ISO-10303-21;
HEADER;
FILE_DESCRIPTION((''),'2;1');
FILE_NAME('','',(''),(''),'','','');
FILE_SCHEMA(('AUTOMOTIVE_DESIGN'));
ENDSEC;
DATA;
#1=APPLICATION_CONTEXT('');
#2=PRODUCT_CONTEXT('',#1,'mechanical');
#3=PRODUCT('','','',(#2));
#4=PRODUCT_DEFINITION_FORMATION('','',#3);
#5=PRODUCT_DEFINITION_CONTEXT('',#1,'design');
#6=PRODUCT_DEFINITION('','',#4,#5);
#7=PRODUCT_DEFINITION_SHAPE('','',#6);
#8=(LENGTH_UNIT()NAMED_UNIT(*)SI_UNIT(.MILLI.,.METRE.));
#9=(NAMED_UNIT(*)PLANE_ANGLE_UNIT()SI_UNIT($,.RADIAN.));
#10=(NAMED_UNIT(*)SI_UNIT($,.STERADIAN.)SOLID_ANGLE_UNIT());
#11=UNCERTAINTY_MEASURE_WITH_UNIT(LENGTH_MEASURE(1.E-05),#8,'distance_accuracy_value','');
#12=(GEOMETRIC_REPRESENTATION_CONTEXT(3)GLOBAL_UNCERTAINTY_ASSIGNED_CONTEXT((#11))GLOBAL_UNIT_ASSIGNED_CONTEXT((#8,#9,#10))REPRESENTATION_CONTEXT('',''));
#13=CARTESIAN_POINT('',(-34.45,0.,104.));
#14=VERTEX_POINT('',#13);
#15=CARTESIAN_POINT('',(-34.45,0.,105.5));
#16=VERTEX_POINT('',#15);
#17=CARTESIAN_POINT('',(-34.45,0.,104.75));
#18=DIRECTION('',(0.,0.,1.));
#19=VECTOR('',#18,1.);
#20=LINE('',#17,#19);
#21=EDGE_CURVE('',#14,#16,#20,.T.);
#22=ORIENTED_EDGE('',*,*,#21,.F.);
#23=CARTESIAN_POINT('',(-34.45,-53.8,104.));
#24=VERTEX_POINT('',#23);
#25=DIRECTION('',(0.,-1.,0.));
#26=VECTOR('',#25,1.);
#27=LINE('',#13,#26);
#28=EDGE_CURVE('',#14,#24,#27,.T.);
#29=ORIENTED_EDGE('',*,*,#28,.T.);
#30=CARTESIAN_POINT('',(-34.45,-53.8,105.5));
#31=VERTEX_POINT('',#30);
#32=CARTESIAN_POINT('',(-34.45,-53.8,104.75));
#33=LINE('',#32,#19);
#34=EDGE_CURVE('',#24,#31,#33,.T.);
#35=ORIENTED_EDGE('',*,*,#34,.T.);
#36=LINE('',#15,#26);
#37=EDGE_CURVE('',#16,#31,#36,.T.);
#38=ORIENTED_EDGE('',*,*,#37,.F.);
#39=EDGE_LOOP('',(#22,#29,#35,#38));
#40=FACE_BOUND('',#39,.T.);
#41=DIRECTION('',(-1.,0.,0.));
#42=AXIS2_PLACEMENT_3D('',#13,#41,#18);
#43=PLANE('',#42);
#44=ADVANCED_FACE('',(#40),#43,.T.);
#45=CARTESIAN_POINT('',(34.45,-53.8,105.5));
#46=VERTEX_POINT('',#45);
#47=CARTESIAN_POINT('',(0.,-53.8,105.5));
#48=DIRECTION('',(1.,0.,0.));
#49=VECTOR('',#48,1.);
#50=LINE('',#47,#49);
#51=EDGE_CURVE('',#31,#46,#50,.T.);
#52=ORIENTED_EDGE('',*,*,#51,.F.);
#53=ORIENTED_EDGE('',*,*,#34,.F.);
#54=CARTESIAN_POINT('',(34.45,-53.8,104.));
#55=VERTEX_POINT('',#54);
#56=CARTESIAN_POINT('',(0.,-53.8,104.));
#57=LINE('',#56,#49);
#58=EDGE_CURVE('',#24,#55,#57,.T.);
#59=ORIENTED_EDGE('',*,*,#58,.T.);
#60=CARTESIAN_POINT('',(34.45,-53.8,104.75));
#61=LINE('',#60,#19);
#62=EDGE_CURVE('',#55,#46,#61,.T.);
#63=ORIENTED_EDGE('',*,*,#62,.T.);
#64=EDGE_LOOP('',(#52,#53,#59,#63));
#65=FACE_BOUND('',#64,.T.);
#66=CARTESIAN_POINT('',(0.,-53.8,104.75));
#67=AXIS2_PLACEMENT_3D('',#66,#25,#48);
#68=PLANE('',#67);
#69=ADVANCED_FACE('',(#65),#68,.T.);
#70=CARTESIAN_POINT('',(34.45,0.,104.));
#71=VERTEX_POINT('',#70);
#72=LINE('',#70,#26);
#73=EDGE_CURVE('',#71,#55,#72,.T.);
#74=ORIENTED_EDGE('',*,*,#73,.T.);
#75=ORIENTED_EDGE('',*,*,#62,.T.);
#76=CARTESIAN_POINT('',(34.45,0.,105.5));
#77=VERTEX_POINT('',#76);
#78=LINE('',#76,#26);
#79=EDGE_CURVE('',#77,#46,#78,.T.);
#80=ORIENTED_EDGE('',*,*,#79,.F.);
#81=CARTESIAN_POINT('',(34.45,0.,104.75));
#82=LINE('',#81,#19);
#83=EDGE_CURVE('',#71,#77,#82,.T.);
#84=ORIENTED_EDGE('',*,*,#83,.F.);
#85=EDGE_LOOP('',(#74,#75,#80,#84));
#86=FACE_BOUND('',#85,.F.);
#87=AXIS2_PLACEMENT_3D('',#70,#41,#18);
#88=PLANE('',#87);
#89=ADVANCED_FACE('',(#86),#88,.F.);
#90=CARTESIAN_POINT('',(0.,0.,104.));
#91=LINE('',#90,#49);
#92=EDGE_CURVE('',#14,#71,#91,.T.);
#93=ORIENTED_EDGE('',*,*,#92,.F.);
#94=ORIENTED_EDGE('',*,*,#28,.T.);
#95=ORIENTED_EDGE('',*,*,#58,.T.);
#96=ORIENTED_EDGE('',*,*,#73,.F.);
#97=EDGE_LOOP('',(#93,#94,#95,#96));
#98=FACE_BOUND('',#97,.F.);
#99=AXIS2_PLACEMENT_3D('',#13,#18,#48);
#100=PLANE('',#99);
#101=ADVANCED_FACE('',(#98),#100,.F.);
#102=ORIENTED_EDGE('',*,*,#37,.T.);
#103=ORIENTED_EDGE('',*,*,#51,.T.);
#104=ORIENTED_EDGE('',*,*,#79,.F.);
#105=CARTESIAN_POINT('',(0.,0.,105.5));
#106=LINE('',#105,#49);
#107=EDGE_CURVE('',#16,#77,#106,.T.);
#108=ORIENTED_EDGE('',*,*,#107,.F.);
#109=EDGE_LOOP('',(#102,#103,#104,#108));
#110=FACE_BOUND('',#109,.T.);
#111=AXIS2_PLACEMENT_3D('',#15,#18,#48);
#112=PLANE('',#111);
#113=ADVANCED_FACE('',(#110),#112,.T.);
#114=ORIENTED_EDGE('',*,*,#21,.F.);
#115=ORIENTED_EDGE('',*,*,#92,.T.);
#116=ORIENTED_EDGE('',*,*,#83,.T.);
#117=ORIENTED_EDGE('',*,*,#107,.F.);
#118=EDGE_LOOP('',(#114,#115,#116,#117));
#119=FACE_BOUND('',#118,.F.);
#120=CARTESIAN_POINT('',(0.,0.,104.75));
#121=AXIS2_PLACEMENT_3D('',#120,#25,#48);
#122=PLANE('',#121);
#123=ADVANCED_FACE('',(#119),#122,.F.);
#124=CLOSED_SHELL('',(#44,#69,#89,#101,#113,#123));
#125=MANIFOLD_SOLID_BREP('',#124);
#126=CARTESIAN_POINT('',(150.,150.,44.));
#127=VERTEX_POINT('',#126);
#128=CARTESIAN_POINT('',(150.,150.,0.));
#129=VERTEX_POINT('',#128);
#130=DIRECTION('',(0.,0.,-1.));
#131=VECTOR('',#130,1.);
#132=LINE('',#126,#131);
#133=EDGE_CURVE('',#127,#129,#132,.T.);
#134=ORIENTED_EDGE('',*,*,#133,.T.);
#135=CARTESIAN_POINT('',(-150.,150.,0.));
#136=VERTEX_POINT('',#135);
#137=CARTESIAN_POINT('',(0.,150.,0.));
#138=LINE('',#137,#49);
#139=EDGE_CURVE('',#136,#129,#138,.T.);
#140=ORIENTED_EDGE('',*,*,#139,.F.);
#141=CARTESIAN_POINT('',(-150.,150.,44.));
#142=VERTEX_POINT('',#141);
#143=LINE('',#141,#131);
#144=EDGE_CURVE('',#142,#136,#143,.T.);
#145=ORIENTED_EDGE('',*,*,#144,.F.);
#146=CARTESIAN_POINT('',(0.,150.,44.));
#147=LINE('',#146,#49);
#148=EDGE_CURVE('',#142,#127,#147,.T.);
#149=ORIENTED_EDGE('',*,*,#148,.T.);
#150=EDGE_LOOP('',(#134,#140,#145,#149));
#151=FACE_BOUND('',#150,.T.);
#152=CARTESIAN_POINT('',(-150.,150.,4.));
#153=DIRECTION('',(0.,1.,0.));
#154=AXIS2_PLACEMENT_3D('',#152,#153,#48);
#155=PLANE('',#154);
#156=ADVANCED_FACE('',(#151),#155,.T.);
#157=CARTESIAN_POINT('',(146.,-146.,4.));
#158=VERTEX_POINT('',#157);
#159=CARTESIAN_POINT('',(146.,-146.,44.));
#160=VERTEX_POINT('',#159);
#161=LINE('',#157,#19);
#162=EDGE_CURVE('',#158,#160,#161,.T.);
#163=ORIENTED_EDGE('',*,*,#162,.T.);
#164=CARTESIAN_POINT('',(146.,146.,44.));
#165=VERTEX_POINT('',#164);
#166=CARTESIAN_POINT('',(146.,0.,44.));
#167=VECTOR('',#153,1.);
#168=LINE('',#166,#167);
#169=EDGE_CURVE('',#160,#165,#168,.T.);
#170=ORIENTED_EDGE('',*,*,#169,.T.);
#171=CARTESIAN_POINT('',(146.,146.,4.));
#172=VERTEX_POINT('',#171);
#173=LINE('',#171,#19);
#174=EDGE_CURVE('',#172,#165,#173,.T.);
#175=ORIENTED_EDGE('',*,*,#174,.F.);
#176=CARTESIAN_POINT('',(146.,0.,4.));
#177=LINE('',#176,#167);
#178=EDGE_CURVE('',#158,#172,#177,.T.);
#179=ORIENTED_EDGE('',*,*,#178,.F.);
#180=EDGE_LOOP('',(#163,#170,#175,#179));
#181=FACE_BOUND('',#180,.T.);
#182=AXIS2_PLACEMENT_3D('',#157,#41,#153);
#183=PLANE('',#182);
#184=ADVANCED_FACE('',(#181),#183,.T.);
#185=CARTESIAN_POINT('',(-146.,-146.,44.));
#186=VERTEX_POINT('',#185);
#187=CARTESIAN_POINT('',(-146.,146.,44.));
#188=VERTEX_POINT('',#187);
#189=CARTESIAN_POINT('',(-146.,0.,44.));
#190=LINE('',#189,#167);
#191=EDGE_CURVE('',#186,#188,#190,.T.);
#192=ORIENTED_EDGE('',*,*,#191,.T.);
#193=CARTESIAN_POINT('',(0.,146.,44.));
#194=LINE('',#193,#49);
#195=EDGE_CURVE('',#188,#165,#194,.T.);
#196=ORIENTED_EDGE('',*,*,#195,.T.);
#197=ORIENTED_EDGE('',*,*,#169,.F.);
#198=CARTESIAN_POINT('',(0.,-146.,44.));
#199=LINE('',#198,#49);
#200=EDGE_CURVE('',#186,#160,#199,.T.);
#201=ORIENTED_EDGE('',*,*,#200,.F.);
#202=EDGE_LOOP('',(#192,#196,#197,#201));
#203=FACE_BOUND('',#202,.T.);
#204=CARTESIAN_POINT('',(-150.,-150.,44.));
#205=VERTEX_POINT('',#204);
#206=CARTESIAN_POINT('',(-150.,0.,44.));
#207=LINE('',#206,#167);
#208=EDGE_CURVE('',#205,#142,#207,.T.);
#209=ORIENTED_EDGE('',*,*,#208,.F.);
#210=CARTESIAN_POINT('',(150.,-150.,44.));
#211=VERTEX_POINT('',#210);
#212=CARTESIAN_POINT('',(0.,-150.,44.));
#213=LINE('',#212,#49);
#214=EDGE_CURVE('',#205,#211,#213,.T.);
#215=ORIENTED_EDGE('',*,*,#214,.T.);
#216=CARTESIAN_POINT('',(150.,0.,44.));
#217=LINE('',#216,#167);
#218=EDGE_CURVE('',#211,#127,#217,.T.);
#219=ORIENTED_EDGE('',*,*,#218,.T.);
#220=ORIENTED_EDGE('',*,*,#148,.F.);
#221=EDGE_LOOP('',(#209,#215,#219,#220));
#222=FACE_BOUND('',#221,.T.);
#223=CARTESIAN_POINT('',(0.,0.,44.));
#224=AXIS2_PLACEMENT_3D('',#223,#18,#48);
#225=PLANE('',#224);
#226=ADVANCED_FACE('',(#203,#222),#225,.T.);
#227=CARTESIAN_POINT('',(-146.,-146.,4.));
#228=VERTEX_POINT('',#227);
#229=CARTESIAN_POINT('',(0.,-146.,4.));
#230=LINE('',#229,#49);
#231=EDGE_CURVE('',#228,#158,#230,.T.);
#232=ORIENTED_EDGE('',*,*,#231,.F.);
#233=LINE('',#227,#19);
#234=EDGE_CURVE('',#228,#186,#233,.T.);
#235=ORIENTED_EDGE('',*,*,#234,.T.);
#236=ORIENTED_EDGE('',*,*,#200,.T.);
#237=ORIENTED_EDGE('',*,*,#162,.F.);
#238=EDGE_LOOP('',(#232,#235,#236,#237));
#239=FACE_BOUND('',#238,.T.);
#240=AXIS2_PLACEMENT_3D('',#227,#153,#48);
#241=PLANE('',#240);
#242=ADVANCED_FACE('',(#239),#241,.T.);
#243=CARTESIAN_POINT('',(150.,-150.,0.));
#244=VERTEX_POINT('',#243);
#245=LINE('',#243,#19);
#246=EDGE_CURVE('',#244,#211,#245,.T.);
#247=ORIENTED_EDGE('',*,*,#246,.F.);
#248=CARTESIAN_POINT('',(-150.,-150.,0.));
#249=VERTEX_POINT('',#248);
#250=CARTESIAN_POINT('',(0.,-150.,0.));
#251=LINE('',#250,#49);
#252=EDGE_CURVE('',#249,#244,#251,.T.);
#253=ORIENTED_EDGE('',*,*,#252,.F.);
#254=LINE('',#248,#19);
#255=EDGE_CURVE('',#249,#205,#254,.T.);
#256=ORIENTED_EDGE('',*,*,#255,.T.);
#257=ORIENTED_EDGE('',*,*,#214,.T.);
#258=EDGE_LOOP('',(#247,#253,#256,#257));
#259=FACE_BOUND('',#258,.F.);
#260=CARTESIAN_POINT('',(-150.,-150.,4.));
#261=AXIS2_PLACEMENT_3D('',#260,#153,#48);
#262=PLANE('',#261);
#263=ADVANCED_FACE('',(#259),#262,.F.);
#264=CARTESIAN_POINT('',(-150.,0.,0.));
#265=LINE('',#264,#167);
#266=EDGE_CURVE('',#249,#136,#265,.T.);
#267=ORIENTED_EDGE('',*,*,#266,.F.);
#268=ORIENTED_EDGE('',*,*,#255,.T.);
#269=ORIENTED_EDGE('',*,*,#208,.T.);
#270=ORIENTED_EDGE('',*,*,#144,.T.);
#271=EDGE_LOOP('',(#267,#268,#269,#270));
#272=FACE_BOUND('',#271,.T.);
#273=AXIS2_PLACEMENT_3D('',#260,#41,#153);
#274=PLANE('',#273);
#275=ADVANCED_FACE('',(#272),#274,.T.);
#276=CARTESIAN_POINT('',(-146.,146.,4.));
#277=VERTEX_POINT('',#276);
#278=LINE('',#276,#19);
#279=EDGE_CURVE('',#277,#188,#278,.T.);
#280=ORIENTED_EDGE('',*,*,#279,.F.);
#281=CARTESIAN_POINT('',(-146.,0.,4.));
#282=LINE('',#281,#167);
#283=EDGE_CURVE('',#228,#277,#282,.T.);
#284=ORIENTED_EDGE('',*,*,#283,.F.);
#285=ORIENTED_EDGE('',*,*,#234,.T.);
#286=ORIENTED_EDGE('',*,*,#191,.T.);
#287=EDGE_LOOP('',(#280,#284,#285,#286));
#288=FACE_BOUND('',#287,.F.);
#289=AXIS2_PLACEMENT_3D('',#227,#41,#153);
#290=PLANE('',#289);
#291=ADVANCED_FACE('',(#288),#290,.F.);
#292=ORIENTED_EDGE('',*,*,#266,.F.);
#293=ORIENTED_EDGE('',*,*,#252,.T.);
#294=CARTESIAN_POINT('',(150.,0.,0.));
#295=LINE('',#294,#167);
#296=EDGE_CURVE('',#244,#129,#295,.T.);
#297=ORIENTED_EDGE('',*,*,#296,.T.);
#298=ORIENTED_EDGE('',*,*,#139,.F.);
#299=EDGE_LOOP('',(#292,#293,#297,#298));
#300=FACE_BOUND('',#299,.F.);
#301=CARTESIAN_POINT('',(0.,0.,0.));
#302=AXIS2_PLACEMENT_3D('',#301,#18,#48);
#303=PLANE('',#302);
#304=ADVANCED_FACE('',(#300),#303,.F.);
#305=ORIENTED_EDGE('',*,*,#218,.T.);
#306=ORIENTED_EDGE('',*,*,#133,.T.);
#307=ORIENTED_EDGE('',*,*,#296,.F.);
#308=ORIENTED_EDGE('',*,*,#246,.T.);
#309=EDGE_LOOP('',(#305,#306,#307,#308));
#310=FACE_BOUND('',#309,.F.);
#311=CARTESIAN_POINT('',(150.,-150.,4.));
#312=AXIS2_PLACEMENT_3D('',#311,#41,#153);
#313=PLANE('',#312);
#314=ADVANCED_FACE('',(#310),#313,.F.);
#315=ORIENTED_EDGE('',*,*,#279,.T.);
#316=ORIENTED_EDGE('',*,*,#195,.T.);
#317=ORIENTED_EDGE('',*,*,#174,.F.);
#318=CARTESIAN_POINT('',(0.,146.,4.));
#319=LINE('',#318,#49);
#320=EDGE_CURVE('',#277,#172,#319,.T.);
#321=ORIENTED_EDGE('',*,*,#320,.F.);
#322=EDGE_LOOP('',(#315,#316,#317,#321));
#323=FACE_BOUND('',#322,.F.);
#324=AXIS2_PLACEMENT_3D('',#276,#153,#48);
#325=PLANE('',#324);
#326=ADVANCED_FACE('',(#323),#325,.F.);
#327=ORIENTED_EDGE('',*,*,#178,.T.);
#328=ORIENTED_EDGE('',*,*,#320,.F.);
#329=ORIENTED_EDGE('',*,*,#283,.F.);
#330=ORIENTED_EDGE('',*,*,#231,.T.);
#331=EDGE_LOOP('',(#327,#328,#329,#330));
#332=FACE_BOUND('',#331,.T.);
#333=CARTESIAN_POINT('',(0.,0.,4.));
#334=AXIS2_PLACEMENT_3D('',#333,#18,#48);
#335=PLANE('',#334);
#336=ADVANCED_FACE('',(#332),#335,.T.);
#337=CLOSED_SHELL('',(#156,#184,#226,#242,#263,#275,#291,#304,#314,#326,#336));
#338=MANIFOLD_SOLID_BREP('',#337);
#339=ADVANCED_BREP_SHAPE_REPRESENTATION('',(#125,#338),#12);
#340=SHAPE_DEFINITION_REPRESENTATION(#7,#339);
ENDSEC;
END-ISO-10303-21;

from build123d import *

# Parameters (mm, degrees)
F0_W     = 300
F0_H     = 300
F1_DEPTH = 4
F2_W     = 300
F2_H     = 300
F2_W_2   = 292
F2_H_2   = 292
F3_DEPTH = 40
F4_W     = 68.9
F4_H     = 1.5
F5_DEPTH = 53.8


with BuildPart() as f1:
    # F0 (on Top) → F1 (new body)
    with BuildSketch(Plane.XY):
        Rectangle(F0_W, F0_H)
    extrude(amount=F1_DEPTH)

    # F2 (on face) → F3 (join)
    with BuildSketch(Plane.XY.offset(4)):
        Rectangle(F2_W, F2_H)
        Rectangle(F2_W_2, F2_H_2, mode=Mode.SUBTRACT)
    extrude(amount=F3_DEPTH)


with BuildPart() as f5:
    # F4 (on Front) → F5 (new body)
    with BuildSketch(Plane.XZ):
        with Locations((0, 104.75)):
            Rectangle(F4_W, F4_H)
    extrude(amount=F5_DEPTH)


solid = Compound([f1.part, f5.part])
